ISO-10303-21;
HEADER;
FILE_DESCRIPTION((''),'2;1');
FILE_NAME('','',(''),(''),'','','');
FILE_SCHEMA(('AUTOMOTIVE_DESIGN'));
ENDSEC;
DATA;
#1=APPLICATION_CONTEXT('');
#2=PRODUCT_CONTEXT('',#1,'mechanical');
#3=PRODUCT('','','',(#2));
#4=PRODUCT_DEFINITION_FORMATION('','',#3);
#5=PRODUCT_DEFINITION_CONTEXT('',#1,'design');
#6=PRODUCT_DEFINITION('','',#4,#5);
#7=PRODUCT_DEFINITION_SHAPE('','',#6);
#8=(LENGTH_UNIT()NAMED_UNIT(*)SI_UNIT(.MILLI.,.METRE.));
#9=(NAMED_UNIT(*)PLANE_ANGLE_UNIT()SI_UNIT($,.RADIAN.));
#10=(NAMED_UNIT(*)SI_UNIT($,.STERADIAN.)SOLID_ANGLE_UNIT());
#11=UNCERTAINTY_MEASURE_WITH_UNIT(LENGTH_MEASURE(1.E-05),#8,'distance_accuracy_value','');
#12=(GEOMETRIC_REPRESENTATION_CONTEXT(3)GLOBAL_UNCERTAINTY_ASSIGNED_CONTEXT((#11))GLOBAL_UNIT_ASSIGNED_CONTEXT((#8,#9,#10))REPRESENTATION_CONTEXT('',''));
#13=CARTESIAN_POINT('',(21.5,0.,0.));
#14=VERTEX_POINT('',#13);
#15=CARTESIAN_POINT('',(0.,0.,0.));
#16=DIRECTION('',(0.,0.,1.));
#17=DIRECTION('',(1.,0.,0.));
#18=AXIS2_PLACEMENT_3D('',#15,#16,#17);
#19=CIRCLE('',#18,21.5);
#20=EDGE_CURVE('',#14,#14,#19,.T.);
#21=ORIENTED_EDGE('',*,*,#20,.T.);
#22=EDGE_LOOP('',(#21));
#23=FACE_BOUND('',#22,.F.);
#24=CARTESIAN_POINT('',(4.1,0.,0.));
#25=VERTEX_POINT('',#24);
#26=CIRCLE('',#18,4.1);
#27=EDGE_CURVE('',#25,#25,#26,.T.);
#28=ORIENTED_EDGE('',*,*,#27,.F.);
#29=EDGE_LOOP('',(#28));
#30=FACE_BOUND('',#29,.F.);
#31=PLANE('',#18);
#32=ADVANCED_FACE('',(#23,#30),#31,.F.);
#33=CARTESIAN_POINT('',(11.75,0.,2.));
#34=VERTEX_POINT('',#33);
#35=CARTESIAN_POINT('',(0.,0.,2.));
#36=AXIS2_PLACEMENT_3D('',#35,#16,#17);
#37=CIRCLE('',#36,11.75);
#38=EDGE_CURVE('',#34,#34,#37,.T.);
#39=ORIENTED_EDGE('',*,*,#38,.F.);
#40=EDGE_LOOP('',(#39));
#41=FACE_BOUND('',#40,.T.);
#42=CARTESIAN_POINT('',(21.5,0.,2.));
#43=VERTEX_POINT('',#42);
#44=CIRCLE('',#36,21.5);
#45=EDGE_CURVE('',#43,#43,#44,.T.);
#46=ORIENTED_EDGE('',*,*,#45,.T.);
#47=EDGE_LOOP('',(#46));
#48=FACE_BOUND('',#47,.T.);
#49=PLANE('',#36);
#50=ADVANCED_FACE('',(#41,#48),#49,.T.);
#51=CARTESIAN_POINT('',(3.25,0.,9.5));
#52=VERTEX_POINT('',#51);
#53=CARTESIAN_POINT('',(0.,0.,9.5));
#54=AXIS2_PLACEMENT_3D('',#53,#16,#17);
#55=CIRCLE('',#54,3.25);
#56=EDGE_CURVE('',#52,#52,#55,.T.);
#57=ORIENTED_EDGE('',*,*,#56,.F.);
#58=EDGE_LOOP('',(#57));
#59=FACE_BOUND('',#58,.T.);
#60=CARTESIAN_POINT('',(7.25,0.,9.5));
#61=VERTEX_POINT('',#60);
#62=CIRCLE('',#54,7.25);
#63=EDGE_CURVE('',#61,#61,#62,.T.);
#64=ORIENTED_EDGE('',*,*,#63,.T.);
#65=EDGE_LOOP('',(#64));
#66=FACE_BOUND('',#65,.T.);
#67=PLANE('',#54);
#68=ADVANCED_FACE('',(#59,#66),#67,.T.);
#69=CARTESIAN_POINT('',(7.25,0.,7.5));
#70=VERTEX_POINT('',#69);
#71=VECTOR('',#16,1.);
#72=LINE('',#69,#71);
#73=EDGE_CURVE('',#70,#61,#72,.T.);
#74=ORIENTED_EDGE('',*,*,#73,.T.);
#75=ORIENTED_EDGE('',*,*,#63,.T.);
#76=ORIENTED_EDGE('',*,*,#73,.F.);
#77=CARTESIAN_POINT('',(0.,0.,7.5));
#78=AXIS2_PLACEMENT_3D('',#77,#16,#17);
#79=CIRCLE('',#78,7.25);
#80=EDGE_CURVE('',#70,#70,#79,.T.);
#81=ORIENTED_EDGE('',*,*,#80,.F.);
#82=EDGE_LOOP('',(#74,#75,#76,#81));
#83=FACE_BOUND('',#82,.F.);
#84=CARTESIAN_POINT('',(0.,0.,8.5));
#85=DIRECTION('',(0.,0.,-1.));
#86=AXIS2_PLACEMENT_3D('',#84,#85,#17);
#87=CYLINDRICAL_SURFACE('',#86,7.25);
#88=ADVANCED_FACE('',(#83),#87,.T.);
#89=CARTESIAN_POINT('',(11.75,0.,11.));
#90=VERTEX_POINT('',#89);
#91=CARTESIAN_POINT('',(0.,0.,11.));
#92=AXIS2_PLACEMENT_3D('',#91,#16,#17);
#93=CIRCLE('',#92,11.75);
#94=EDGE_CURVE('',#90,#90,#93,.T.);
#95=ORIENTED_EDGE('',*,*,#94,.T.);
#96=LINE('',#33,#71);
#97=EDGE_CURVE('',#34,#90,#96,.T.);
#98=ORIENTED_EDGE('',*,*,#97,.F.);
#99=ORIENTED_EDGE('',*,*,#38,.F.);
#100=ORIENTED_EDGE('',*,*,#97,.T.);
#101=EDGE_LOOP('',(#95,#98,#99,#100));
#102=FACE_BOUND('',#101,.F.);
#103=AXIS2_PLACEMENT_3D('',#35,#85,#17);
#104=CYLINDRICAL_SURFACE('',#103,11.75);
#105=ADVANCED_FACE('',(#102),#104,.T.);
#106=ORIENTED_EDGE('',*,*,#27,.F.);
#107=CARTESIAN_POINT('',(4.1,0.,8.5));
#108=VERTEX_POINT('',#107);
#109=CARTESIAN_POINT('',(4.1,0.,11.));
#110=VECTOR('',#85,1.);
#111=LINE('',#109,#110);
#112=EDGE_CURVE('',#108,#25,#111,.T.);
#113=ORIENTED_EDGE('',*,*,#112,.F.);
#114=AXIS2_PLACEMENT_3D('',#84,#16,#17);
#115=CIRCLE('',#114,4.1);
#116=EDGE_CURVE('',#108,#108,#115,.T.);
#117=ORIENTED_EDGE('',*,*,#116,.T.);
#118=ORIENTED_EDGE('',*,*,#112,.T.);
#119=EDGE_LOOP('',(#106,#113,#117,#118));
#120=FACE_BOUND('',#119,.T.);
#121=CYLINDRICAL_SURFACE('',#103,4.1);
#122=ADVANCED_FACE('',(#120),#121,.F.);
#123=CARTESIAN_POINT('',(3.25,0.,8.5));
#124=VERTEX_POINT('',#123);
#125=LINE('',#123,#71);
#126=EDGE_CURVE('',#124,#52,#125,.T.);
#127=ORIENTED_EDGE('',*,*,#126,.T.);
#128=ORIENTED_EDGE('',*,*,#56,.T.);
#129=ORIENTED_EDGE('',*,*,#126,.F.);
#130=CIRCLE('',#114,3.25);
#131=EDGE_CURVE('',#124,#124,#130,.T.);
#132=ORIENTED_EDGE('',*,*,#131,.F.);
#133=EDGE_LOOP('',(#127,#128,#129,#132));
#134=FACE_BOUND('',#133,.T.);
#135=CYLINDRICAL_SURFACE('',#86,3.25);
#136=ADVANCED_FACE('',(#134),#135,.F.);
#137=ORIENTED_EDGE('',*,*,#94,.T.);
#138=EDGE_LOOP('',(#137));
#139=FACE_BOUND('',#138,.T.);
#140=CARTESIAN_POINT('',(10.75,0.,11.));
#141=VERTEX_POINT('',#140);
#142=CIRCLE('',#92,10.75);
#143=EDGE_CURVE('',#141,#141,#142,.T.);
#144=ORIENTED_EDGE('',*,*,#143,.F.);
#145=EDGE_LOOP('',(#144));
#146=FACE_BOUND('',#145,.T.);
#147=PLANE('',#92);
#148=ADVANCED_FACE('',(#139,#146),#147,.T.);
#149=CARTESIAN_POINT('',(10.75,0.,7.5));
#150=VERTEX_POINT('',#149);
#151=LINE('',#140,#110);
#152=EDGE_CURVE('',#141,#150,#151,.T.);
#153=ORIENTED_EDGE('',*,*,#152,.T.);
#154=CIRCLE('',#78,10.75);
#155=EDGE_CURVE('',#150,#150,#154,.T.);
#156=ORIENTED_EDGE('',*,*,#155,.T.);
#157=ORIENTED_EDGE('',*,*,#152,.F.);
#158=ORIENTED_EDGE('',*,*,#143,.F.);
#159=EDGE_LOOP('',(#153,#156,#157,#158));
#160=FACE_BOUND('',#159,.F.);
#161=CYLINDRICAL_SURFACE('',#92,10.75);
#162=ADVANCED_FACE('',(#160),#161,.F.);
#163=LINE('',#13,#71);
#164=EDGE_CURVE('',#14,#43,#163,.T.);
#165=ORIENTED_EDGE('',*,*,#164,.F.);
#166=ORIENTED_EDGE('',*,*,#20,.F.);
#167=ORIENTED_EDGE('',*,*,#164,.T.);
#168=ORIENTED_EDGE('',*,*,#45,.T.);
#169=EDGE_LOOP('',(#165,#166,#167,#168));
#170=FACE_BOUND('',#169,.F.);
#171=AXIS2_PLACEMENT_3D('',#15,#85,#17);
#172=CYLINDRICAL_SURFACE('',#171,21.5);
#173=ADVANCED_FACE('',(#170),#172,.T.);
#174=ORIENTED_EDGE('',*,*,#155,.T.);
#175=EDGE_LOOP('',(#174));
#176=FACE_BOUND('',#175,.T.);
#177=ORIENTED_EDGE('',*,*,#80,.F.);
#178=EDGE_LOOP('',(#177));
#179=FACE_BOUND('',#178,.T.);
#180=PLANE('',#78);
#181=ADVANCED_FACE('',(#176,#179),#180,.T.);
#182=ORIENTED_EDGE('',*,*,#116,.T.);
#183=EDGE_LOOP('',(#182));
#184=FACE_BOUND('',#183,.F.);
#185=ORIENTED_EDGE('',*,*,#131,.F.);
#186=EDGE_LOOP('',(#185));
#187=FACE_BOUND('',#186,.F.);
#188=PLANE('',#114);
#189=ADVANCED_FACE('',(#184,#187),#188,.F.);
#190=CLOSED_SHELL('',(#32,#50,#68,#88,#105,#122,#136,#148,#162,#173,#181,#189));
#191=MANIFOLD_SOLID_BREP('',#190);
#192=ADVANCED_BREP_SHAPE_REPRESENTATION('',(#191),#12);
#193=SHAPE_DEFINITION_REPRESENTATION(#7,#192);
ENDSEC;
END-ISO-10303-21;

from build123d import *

# Parameters (mm, degrees)
F0_R     = 21.5
F0_R_2   = 4.1
F1_DEPTH = 2
F2_R     = 11.75
F2_R_2   = 4.1
F3_DEPTH = 9
F4_R     = 10.75
F4_R_2   = 7.25
F5_DEPTH = 3.5
F6_DEPTH = 2.5
F7_R     = 7.25
F7_R_2   = 4.1
F7_R_3   = 3.25
F8_DEPTH = 1


with BuildPart() as f1:
    # F0 (on Top) → F1 (new body)
    with BuildSketch(Plane.XY):
        Circle(F0_R)
        Circle(F0_R_2, mode=Mode.SUBTRACT)
    extrude(amount=F1_DEPTH)

    # F2 (on face) → F3 (join)
    with BuildSketch(Plane.XY.offset(2)):
        Circle(F2_R)
        Circle(F2_R_2, mode=Mode.SUBTRACT)
    extrude(amount=F3_DEPTH)

    # F4 (on face) → F5 (cut)
    with BuildSketch(Plane.XY.offset(11)):
        Circle(F4_R)
        Circle(F4_R_2, mode=Mode.SUBTRACT)
    extrude(amount=-F5_DEPTH, mode=Mode.SUBTRACT)

    # F6 (cut): a face of the model
    f6_faces = [f1.faces().sort_by_distance(p)[0] for p in [
        (-7.0449390335, 0, 11),
    ]]
    extrude(f6_faces, amount=-F6_DEPTH, mode=Mode.SUBTRACT)

    # F7 (on face) → F8 (join)
    with BuildSketch(Plane.XY.offset(8.5)):
        Circle(F7_R)
        Circle(F7_R_2, mode=Mode.SUBTRACT)
        Circle(F7_R_2)
        Circle(F7_R_3, mode=Mode.SUBTRACT)
    extrude(amount=F8_DEPTH)


solid = f1.part
